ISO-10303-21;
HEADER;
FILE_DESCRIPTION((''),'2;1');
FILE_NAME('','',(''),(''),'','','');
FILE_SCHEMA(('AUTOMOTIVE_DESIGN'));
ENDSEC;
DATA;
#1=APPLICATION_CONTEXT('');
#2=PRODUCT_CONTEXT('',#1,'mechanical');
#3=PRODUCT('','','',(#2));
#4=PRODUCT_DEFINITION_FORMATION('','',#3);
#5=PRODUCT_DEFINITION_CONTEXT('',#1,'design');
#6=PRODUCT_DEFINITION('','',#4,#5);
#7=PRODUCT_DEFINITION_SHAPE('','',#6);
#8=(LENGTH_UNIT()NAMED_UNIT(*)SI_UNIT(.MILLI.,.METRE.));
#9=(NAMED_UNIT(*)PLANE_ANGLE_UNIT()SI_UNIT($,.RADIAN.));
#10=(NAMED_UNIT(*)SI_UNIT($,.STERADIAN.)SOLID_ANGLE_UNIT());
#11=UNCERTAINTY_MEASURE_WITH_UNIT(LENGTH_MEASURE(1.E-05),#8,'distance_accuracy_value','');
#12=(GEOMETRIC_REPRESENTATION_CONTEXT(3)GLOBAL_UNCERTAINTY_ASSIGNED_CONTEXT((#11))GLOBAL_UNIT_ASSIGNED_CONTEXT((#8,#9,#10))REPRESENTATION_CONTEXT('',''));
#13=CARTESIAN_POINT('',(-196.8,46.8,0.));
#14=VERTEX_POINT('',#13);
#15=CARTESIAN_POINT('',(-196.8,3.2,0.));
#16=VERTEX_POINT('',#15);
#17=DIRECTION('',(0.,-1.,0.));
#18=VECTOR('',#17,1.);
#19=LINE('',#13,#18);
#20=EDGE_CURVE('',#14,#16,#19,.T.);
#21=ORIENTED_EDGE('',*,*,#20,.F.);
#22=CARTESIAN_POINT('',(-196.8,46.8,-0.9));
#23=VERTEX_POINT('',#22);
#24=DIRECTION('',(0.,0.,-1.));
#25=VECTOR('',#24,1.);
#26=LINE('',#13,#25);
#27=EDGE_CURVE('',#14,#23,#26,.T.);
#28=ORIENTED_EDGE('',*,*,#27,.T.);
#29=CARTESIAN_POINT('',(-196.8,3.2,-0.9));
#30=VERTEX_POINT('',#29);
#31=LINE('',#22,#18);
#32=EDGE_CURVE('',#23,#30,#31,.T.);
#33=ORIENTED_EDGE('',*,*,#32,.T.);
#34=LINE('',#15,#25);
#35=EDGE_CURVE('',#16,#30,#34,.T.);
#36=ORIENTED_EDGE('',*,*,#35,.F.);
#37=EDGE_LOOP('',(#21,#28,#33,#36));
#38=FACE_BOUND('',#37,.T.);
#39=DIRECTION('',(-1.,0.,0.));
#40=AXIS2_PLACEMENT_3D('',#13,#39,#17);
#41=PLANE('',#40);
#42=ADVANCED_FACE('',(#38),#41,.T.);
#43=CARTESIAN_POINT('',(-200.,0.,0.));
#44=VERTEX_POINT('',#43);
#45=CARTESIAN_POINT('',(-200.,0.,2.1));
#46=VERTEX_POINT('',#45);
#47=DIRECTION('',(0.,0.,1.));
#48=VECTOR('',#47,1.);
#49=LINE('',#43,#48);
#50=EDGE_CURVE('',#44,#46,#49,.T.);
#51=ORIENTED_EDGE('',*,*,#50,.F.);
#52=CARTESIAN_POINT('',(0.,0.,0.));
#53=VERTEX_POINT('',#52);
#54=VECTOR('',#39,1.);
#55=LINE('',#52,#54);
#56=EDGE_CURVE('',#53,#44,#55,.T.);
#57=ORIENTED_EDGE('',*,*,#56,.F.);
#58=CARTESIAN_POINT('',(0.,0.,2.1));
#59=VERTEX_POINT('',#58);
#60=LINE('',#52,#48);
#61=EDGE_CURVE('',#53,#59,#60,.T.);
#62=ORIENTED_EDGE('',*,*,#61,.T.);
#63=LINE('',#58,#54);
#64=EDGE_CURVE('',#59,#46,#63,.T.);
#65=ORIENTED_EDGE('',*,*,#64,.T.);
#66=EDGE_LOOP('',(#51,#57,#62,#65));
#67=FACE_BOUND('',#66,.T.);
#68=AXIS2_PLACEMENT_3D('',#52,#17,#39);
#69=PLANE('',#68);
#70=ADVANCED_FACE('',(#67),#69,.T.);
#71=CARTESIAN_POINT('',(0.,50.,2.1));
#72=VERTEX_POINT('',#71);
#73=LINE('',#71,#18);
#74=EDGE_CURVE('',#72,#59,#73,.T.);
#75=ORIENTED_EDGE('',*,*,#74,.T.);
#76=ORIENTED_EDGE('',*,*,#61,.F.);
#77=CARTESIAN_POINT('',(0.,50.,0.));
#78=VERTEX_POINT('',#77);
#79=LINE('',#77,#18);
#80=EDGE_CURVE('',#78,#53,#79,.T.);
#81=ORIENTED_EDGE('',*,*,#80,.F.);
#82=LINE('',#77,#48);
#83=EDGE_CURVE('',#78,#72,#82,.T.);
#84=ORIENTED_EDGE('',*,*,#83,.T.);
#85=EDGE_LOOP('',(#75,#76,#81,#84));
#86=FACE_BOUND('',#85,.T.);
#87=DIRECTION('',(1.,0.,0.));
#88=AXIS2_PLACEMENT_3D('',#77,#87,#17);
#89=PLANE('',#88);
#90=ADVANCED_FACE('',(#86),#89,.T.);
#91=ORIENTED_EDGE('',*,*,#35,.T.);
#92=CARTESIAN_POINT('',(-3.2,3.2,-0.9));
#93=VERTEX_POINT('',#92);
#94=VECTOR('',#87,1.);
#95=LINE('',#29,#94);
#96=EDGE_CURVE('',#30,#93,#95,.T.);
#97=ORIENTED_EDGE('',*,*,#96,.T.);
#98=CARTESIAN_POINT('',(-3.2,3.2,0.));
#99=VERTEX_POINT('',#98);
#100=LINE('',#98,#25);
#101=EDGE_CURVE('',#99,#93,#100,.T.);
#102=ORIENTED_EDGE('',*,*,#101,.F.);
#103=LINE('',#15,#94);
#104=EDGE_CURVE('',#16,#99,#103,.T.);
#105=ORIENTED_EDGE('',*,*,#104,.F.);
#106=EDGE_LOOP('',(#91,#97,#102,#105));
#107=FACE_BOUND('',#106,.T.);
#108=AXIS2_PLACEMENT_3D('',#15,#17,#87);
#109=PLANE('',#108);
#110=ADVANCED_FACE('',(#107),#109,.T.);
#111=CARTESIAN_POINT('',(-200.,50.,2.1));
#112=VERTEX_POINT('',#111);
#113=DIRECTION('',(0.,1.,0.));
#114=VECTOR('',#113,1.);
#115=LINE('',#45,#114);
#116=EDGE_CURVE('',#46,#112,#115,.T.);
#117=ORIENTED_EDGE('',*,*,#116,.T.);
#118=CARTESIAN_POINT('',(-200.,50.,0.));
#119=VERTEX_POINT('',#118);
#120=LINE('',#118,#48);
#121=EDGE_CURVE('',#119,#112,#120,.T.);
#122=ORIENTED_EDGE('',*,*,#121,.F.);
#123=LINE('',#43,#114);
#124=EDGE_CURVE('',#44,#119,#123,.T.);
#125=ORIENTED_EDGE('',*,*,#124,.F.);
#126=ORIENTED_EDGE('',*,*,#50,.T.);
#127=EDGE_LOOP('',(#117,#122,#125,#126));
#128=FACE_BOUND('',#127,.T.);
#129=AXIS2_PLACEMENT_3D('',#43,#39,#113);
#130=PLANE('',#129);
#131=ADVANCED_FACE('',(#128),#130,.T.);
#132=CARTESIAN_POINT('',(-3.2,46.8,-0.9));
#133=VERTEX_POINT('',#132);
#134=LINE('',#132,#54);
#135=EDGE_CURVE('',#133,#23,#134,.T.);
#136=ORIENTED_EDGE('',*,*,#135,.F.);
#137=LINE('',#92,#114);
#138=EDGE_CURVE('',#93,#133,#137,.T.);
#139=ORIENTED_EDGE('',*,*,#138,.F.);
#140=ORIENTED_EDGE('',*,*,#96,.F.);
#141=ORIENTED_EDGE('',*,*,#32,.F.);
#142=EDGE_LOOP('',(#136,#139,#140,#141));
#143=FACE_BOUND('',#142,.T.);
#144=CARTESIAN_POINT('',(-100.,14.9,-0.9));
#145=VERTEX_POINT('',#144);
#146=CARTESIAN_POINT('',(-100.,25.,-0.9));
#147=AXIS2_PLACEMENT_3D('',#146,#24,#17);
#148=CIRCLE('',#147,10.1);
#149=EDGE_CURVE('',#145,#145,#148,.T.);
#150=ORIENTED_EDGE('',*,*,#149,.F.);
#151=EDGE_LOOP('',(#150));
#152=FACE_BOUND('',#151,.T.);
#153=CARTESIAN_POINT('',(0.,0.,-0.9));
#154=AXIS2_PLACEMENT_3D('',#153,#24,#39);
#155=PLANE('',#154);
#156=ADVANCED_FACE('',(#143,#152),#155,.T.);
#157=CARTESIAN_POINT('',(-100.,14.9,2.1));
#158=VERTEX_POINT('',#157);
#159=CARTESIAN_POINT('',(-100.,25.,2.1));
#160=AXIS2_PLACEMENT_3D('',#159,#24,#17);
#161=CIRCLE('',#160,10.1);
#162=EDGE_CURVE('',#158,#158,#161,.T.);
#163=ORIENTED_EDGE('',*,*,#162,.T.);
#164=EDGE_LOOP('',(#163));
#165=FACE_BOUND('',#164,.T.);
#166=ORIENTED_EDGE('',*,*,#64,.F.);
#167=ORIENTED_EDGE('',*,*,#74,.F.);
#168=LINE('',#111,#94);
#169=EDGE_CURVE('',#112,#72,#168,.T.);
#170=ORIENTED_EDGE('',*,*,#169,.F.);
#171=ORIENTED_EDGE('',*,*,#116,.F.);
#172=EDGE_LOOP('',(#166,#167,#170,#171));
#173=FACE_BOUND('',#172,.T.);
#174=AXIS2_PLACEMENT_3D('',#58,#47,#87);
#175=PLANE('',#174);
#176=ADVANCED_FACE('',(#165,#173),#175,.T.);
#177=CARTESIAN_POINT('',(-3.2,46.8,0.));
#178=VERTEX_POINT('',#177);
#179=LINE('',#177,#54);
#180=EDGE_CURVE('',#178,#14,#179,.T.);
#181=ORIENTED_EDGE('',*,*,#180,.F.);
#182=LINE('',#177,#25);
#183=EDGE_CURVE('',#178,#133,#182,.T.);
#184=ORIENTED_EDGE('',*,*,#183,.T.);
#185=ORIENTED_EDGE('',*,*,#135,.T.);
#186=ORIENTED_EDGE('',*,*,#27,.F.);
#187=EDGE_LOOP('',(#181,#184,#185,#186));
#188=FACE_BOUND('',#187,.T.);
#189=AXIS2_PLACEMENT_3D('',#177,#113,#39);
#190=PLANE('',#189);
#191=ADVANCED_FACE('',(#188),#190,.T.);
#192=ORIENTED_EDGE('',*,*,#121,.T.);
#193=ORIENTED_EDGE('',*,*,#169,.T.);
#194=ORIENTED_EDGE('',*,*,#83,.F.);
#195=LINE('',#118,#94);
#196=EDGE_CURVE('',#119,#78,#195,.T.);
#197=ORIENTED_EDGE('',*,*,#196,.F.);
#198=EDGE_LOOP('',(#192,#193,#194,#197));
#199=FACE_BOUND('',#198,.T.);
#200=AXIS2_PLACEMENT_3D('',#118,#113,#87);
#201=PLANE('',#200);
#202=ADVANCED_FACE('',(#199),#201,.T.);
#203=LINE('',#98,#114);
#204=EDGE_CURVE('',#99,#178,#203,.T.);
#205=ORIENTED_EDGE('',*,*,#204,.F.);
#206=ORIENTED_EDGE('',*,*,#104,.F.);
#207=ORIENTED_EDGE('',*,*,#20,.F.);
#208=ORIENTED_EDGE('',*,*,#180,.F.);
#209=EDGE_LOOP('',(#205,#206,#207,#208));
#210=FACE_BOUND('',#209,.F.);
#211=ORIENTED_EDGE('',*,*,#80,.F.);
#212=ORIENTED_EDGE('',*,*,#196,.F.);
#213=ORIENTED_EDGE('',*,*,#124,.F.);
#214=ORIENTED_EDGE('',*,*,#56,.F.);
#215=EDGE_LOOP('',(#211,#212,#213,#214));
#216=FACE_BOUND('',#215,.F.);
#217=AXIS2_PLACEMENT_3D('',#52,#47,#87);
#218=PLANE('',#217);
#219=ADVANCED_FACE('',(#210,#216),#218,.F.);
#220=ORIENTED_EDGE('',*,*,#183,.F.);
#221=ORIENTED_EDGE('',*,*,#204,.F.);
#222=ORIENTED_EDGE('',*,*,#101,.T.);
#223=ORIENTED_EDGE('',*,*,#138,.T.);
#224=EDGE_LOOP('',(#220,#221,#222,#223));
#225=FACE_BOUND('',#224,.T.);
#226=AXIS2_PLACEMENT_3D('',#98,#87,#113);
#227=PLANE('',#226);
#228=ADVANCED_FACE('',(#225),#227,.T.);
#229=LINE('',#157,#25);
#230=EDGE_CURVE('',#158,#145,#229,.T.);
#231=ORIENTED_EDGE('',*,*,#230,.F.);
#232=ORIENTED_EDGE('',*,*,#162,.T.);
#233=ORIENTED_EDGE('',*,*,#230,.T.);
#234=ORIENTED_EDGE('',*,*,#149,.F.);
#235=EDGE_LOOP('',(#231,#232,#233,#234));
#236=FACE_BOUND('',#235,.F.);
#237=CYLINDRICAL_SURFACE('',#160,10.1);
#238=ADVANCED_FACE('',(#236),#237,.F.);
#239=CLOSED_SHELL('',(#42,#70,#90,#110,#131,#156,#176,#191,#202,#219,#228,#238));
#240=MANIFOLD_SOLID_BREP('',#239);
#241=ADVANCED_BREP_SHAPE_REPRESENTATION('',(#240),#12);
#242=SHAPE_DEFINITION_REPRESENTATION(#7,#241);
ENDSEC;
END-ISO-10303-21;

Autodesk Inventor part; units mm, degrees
ref_plane "YZ Plane" through (0, 0, 0) normal (1, 0, 0) x (0, 1, 0)
ref_plane "XZ Plane" through (0, 0, 0) normal (0, 1, 0) x (-1, 0, 0)
ref_plane "XY Plane" through (0, 0, 0) normal (0, 0, 1) x (1, 0, 0)
sketch "Sketch1" plane through (0, 0, 0) normal (0, 0, 1) x (1, 0, 0)
  line L0 (0, 0) -> (-200, 0)
  line L1 (-200, 0) -> (-200, 50)
  line L2 (-200, 50) -> (0, 50)
  line L3 (0, 50) -> (0, 0)
  dimension "d0" = 200
  dimension "d1" = 50
extrude "Cuerpo" add sketch "Sketch1" along normal blind 2.1
sketch "Sketch2" plane through (0, 0, 0) normal (0, 0, -1) x (-1, 0, 0)
  line L0 (0, 0) -> (200, 0) projected
  line L1 (200, 0) -> (200, 50) projected
  line L2 (200, 50) -> (0, 50) projected
  line L3 (0, 50) -> (0, 0) projected
  line L4 (0, 0) -> (200, 0) projected
  line L5 (200, 0) -> (200, 50) projected
  line L6 (200, 50) -> (0, 50) projected
  line L7 (0, 50) -> (0, 0) projected
  line L8 (196.8, 3.2) -> (3.2, 3.2)
  line L9 (3.2, 3.2) -> (3.2, 46.8)
  line L10 (3.2, 46.8) -> (196.8, 46.8)
  line L11 (196.8, 46.8) -> (196.8, 3.2)
  dimension "d4" = 3.2
extrude "Ranura" add sketch "Sketch2" along normal blind 0.9 contours L8 L9 L10 L11
sketch "Sketch4" plane through (0, 0, 2.1) normal (0, 0, 1) x (1, 0, 0)
  line L0 (-200, 50) -> (0, 50) projected
  line L1 (-100, 50) -> (-100, 0)
  line L2 (-200, 0) -> (0, 0) projected
  point P0 (-100, 25)
hole "Rueda Externa" at (-100, 25, 2.1) direction (0, 0, -1) diameter 20.2 end through all
equation "\"d0\" = base_largo"
equation "\"d1\" = base_ancho"
equation "\"d2\" = tapa_grosor"
equation "\"d4\" = base_muros_grosor + general_margen"
equation "\"d5\" = tapa_ranura"
equation "\"d8\" = tapa_eje_diametro"
equation "\"base_largo\" = 200"
equation "\"base_ancho\" = 50"
equation "\"tapa_grosor\" = 2.1"
equation "\"base_muros_grosor\" = 3"
equation "\"general_margen\" = 0.2"
equation "\"tapa_ranura\" = 0.9"
equation "\"tapa_eje_diametro\" = 20.2"
properties part number "Tapa"
